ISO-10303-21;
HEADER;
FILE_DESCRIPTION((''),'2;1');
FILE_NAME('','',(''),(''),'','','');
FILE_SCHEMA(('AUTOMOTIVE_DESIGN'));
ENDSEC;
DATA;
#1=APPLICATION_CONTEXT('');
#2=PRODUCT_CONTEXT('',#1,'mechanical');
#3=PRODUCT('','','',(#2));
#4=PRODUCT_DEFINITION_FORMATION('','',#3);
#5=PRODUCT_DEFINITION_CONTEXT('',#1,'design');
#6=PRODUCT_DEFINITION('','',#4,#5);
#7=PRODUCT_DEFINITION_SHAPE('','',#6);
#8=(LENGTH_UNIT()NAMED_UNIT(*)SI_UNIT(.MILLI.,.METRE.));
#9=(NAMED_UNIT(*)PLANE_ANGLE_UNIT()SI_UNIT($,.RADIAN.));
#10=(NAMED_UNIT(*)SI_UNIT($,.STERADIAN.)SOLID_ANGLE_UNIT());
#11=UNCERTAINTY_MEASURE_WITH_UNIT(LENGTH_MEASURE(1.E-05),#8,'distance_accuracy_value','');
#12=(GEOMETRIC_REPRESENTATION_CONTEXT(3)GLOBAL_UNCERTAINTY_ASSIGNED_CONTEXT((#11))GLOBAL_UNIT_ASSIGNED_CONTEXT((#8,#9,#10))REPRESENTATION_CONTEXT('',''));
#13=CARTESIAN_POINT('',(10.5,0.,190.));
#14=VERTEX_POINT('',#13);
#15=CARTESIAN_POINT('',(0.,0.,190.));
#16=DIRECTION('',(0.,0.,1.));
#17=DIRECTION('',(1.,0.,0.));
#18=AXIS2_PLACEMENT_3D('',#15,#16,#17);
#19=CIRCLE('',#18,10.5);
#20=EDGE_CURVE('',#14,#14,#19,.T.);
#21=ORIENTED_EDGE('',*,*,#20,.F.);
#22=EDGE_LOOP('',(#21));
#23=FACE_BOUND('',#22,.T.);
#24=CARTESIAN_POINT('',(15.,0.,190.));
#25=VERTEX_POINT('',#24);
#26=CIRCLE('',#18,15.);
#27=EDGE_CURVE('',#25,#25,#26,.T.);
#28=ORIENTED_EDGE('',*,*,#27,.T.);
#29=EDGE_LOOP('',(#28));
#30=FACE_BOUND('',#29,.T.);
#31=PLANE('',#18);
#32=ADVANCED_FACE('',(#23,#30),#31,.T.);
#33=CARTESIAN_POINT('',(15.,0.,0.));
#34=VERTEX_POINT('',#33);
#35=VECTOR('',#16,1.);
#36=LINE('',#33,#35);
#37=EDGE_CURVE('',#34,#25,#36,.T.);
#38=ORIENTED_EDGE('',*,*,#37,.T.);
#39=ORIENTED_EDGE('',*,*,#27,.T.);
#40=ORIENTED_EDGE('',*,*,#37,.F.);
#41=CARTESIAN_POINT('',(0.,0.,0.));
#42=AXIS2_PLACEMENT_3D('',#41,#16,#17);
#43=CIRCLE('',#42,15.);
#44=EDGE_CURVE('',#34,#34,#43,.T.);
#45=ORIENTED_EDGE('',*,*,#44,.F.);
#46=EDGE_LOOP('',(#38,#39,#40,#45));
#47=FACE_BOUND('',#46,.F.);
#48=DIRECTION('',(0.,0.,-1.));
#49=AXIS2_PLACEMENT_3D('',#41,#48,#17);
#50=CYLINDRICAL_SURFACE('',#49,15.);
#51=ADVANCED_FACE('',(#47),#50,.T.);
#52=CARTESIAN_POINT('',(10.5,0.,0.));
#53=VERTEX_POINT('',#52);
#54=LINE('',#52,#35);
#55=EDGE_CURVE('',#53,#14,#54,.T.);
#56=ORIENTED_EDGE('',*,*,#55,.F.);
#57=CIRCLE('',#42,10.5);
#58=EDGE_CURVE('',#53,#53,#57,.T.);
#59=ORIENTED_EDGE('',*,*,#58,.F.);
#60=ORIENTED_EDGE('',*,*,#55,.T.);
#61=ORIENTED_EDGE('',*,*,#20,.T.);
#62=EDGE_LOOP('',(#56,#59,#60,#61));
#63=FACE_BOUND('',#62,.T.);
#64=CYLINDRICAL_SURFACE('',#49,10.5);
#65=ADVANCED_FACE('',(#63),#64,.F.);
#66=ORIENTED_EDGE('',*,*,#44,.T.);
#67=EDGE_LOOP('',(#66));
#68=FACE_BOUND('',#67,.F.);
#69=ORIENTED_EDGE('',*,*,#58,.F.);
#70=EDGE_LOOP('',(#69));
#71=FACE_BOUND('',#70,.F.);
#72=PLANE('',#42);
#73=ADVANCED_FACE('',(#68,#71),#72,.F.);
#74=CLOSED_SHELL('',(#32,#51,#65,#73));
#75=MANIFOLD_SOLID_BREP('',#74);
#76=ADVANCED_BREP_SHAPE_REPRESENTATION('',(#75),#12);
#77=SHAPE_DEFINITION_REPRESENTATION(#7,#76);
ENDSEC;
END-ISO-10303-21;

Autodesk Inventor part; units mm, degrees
ref_plane "YZ Plane" through (0, 0, 0) normal (1, 0, 0) x (0, 1, 0)
ref_plane "XZ Plane" through (0, 0, 0) normal (0, 1, 0) x (-1, 0, 0)
ref_plane "XY Plane" through (0, 0, 0) normal (0, 0, 1) x (1, 0, 0)
sketch "Skizze1" plane through (0, 0, 0) normal (0, 0, 1) x (1, 0, 0)
  circle A0 centre (0, 0) radius 15
  circle A1 centre (0, 0) radius 10.5
  dimension "außendurchmesser" = 30
  dimension "innendurchmesser" = 21
extrude "Extrusion1" add sketch "Skizze1" along normal blind 190
properties part number "Distanz" material "PVC, hart"
